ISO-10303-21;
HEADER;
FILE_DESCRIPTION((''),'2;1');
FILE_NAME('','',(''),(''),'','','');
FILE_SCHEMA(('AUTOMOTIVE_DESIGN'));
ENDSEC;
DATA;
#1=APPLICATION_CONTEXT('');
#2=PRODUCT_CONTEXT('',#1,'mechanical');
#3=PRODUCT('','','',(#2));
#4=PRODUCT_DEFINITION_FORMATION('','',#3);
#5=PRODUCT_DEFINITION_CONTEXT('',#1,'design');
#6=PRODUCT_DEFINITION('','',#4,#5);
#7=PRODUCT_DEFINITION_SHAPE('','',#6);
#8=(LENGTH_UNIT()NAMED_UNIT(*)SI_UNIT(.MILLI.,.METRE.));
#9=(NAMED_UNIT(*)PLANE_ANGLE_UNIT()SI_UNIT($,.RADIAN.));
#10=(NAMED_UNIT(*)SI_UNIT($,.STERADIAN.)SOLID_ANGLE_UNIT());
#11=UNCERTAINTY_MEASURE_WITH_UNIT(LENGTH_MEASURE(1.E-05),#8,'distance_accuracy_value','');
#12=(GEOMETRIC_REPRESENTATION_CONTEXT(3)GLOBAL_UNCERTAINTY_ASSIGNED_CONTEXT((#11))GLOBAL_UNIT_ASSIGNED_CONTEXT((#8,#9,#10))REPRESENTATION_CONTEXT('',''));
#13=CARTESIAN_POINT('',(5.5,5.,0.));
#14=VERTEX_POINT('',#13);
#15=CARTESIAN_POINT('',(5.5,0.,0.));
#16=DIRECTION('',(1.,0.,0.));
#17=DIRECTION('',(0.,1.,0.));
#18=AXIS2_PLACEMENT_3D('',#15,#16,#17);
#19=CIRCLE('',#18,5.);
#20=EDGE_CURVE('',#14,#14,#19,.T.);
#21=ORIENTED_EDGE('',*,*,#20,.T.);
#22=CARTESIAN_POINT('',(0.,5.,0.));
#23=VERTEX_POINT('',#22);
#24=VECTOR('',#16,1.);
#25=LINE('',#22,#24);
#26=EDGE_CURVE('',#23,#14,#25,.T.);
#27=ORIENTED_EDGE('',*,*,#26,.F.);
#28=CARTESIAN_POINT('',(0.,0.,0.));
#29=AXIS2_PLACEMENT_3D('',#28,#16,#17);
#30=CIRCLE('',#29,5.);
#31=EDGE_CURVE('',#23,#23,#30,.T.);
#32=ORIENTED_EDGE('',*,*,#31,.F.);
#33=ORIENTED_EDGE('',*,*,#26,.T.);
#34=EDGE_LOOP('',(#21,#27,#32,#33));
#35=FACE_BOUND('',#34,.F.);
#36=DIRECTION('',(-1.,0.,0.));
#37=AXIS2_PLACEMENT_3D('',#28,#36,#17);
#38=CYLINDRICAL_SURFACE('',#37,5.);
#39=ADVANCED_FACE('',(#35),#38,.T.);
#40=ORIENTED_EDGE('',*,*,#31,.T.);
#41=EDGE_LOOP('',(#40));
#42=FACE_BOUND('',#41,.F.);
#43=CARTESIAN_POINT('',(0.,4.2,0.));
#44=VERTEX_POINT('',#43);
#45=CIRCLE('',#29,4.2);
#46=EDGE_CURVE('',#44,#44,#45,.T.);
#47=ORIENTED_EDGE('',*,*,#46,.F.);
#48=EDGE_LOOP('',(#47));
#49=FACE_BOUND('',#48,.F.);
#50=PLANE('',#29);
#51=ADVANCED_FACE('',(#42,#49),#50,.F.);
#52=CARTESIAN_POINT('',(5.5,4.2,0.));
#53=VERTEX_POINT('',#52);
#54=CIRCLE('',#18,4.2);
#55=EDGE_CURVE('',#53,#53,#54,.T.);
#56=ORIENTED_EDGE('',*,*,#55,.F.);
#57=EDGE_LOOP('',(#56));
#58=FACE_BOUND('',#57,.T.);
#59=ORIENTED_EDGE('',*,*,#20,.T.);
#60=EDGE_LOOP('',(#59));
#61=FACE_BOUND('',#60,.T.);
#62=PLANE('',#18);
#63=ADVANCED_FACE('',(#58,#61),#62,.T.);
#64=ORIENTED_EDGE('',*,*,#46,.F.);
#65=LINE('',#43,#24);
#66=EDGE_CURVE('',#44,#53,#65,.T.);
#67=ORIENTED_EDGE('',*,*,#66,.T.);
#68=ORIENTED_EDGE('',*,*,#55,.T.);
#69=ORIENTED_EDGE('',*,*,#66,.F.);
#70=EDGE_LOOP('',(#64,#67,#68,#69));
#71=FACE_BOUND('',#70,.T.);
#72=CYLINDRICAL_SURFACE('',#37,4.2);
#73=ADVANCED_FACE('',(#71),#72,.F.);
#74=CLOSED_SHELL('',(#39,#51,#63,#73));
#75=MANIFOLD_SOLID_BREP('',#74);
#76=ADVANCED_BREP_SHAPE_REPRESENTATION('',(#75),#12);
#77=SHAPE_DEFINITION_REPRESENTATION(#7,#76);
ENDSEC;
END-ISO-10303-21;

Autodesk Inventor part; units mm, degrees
ref_plane "YZ Plane" through (0, 0, 0) normal (1, 0, 0) x (0, 1, 0)
ref_plane "XZ Plane" through (0, 0, 0) normal (0, 1, 0) x (-1, 0, 0)
ref_plane "XY Plane" through (0, 0, 0) normal (0, 0, 1) x (1, 0, 0)
sketch "スケッチ1" plane through (0, 0, 0) normal (1, 0, 0) x (0, 1, 0)
  circle A0 centre (0, 0) radius 4.2
  circle A1 centre (0, 0) radius 5
  dimension "d0" = 8.4
  dimension "d1" = 10
extrude "押し出し1" add sketch "スケッチ1" along normal blind 5.5
properties part number "belt_liner_v2_3DP_P-5-F" material "ABS プラスチック"
